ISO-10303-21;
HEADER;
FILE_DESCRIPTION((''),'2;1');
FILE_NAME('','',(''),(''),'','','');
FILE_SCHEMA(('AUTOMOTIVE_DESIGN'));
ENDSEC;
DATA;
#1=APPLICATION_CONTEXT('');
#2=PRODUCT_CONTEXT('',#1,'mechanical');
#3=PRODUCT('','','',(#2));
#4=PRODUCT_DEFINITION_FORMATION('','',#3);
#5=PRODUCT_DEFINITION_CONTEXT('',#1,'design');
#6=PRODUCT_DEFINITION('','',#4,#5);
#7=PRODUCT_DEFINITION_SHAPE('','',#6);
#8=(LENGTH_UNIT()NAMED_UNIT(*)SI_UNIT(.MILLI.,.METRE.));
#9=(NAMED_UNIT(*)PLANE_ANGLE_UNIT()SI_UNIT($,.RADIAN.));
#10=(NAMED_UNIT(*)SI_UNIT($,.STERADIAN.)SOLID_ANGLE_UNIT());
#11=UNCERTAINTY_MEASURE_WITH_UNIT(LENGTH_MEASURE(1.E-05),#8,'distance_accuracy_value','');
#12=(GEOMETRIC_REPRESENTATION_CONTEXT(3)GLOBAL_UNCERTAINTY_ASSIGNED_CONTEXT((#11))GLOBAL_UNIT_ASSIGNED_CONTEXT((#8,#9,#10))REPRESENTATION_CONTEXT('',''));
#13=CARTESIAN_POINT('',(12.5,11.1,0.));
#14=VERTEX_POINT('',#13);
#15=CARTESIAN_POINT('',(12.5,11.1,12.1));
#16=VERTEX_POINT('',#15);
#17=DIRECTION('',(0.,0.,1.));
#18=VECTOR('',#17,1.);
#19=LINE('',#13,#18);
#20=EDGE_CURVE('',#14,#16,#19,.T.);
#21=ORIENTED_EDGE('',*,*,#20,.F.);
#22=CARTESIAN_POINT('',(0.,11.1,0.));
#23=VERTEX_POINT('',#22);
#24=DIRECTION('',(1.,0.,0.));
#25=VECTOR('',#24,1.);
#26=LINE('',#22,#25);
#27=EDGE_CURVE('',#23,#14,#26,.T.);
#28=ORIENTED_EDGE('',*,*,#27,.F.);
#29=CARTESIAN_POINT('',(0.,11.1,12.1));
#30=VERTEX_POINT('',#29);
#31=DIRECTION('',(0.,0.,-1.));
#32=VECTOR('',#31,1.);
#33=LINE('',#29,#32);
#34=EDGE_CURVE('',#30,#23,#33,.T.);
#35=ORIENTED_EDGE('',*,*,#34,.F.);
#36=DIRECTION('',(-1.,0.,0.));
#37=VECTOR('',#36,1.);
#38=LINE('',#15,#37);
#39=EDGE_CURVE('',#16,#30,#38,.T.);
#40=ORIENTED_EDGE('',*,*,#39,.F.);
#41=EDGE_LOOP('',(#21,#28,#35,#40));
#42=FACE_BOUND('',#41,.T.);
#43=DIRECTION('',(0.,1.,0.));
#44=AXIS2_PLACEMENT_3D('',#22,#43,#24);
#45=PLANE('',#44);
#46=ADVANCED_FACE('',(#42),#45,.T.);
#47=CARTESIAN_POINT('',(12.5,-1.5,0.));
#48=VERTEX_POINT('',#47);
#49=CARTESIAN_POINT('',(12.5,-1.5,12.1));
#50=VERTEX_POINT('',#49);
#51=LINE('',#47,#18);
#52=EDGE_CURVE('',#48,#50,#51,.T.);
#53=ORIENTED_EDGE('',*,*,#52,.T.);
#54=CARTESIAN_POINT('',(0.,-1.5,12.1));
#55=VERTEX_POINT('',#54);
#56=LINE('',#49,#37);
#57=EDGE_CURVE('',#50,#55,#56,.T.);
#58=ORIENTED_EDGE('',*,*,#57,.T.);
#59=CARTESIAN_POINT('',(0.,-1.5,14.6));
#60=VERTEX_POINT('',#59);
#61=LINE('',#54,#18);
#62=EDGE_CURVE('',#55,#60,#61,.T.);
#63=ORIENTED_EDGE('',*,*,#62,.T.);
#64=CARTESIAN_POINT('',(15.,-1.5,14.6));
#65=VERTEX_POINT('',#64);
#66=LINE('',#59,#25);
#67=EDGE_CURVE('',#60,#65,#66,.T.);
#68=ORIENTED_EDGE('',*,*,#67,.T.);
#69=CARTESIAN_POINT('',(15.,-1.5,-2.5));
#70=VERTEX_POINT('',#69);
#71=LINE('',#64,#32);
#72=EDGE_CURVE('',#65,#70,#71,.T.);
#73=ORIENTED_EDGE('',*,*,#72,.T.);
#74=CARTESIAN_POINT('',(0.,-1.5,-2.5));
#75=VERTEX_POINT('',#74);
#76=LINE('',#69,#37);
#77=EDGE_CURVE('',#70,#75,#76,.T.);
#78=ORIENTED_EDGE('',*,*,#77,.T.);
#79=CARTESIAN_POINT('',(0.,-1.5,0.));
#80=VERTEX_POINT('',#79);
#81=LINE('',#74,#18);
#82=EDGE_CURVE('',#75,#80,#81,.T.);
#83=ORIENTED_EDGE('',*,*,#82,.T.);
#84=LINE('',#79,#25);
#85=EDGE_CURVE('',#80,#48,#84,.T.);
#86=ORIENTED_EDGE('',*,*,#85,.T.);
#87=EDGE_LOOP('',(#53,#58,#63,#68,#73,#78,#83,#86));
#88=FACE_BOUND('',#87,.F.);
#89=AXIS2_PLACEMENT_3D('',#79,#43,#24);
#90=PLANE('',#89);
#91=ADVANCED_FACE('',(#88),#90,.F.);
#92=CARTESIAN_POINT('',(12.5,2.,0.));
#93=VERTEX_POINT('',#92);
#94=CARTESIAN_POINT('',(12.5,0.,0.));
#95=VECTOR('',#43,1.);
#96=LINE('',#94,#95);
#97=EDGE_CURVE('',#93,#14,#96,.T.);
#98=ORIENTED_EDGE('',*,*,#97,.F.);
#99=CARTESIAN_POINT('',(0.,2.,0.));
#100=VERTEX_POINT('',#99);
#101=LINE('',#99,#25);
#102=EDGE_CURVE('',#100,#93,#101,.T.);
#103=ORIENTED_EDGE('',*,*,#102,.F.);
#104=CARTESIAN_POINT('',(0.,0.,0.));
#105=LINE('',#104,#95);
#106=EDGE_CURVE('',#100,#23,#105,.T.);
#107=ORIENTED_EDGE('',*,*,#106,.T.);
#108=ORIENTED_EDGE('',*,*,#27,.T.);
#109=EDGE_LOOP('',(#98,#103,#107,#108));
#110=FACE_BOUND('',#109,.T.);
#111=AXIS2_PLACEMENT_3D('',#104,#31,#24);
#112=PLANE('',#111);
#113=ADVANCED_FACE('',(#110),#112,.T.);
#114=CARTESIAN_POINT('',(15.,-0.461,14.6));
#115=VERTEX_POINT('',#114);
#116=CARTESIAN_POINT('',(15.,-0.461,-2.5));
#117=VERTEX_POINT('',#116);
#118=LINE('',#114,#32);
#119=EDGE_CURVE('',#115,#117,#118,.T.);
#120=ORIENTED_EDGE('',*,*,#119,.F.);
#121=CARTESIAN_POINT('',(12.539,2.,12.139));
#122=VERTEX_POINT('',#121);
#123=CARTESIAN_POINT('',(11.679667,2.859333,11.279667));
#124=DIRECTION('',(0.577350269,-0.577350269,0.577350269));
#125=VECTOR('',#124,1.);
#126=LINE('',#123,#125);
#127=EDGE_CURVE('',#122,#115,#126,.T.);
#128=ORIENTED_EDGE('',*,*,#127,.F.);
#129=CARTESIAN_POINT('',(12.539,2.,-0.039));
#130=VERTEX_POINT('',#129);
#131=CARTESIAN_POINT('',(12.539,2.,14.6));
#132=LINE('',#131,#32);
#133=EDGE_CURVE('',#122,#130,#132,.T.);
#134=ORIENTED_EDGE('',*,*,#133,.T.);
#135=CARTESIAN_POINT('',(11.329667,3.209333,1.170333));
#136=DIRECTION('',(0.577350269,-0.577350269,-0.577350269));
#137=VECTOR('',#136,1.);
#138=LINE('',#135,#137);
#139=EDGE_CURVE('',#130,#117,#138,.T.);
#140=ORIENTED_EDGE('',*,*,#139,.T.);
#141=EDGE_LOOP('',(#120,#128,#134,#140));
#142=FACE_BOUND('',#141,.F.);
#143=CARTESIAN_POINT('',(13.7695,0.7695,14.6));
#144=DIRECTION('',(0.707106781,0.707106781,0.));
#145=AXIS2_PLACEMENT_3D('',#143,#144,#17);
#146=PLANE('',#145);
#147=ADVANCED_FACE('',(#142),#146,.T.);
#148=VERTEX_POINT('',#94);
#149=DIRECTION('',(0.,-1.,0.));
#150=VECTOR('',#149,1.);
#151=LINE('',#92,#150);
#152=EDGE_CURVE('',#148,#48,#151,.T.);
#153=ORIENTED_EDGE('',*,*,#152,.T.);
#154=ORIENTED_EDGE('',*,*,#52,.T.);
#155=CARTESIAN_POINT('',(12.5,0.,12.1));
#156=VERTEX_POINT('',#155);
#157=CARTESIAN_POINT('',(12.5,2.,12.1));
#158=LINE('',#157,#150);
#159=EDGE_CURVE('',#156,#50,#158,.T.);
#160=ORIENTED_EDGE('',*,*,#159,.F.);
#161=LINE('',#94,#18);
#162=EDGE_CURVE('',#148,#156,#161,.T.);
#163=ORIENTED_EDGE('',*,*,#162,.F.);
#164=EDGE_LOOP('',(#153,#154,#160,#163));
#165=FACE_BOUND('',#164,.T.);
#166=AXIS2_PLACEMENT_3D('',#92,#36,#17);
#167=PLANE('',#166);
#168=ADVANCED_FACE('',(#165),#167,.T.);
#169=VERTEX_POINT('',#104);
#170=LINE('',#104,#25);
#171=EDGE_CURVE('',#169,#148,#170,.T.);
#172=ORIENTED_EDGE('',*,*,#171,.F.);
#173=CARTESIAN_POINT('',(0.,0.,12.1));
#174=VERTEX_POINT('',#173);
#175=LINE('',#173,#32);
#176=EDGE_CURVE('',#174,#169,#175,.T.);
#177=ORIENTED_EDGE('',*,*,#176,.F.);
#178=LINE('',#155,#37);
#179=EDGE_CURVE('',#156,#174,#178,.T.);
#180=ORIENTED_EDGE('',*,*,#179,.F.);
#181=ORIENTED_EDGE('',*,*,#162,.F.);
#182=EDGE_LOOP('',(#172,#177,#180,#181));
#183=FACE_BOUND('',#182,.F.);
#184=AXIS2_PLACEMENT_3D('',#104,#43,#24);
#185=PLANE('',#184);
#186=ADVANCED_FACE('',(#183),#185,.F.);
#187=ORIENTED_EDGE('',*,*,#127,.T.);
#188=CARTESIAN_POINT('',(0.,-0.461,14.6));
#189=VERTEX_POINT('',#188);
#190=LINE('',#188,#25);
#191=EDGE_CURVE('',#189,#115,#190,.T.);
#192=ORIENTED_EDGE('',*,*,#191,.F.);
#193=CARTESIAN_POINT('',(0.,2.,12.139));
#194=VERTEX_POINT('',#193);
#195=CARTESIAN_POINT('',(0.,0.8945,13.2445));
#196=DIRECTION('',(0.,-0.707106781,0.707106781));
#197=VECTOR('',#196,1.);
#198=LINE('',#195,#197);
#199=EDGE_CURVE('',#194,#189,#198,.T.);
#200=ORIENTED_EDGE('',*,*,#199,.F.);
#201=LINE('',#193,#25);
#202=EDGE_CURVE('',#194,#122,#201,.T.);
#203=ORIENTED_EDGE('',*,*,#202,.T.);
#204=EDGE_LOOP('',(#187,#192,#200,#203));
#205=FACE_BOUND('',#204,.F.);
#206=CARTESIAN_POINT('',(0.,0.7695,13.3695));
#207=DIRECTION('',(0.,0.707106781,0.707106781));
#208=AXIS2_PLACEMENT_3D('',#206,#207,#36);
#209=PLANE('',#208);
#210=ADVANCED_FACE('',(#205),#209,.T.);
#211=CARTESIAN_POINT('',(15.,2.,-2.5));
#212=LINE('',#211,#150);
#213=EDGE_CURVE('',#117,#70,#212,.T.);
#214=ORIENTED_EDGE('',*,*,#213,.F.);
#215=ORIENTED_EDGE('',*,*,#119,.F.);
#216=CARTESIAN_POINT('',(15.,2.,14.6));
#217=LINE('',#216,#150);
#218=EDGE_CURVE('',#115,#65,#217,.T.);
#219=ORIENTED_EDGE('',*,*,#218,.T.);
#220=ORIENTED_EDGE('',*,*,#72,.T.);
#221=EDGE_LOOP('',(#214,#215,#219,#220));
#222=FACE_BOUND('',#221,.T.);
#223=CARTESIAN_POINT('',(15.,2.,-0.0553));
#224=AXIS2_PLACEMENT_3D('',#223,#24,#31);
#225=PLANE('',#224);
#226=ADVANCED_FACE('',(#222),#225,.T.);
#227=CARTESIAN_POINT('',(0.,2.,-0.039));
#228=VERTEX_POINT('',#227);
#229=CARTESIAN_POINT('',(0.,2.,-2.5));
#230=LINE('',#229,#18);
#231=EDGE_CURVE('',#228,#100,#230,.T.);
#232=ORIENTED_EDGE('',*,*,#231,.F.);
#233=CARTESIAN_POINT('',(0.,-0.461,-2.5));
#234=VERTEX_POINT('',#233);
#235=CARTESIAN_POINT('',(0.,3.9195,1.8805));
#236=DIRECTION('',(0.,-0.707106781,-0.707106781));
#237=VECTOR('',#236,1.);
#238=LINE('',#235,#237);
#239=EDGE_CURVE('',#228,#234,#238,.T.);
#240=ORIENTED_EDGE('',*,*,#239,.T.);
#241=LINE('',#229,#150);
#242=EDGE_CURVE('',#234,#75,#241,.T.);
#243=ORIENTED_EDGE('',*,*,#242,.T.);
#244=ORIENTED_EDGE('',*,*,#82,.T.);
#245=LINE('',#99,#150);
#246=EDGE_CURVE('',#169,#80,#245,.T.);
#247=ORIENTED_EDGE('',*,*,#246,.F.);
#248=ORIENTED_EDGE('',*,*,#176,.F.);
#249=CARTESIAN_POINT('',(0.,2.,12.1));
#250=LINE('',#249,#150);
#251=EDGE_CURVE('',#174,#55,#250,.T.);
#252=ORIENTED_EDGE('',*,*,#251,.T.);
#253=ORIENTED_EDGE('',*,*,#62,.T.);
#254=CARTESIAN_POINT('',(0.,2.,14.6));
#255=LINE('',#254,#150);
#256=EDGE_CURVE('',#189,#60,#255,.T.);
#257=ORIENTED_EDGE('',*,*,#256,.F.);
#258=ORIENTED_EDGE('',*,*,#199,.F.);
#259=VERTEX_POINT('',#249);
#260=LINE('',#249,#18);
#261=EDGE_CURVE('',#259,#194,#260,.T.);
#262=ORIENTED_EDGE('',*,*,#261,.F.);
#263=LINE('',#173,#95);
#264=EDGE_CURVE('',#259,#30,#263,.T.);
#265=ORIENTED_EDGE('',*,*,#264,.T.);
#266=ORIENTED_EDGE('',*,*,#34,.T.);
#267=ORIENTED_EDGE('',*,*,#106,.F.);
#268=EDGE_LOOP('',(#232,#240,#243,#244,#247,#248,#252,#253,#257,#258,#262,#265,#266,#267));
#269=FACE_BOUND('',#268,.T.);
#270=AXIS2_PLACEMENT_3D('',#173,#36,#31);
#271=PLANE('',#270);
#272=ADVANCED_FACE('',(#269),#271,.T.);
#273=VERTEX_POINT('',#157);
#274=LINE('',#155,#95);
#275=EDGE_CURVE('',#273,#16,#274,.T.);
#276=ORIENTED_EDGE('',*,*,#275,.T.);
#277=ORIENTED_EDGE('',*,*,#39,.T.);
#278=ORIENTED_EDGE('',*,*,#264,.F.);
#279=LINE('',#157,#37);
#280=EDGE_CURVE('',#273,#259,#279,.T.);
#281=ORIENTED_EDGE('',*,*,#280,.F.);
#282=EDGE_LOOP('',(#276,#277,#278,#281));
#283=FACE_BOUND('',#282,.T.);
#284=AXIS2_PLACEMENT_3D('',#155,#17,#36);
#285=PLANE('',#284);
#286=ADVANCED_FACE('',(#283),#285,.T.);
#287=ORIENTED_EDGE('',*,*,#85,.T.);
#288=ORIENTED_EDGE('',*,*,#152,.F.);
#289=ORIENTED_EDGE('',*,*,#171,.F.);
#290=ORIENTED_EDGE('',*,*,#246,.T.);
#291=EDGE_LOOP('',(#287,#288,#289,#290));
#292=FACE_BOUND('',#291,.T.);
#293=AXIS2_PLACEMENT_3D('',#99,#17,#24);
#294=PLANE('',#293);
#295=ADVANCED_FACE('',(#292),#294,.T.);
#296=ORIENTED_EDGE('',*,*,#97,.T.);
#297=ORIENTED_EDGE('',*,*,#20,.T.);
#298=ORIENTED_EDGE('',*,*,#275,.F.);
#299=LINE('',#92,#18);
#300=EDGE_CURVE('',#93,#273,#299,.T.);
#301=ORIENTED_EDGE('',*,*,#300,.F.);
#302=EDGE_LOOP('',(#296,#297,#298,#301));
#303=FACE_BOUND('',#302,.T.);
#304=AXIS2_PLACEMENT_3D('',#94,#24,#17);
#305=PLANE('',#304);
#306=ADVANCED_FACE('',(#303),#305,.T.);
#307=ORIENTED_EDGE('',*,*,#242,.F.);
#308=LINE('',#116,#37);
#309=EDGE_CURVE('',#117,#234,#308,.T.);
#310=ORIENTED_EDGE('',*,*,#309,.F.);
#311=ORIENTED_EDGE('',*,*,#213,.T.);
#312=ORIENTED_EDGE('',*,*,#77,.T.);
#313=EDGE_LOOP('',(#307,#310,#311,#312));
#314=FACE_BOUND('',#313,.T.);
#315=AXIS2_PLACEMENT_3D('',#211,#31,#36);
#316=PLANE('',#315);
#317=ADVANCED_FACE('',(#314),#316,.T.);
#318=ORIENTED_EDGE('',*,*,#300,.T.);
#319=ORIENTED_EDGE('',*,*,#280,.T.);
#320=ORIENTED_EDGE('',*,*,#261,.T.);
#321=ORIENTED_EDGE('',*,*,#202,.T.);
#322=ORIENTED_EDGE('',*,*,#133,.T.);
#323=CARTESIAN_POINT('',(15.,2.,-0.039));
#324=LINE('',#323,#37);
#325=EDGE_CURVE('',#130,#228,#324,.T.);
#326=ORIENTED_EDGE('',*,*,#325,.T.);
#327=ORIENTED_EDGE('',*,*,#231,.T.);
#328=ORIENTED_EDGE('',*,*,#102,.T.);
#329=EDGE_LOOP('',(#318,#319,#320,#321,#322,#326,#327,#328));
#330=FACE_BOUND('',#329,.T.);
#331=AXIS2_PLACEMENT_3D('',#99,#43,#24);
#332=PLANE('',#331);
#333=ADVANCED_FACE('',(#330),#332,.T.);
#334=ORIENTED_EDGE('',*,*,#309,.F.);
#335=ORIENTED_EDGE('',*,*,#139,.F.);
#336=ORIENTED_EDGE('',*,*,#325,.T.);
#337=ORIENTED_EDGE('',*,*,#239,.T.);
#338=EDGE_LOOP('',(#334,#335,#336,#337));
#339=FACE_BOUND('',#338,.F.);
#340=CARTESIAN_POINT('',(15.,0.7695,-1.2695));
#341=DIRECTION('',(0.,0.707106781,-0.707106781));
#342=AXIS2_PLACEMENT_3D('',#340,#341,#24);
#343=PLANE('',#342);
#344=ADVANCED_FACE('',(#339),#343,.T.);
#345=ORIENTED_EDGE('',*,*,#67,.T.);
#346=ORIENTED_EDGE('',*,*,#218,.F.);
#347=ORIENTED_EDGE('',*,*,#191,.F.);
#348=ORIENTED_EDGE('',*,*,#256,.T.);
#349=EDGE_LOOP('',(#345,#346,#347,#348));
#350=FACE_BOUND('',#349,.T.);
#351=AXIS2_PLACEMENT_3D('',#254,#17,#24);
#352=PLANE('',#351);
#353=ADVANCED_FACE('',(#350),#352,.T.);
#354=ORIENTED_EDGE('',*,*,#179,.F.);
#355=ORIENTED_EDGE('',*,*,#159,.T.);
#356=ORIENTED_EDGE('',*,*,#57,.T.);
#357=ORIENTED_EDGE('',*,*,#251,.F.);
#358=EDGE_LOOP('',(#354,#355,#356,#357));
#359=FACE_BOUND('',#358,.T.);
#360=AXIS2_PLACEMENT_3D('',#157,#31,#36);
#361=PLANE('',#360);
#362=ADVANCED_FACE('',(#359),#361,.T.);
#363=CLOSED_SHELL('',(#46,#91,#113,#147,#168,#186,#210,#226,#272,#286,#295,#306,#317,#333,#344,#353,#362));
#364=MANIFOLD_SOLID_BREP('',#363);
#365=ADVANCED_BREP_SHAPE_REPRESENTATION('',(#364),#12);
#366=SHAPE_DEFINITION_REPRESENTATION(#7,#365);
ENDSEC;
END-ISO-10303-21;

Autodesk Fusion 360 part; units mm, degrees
sketch "Sketch1" plane through (0, 0, 0) normal (0, 1, 0) x (1, 0, 0)
  line L0 (0, 0) -> (12.5, 0)
  line L1 (12.5, 0) -> (12.5, -12.1)
  line L2 (12.5, -12.1) -> (0, -12.1)
  line L3 (0, -12.1) -> (0, 0)
  line L4 (0, -12.1) -> (0, -14.6)
  line L5 (0, -14.6) -> (15, -14.6)
  line L6 (15, -14.6) -> (15, 0.0553)
  line L7 (15, 0.0553) -> (15, 2.5)
  line L8 (15, 2.5) -> (0, 2.5)
  line L9 (0, 2.5) -> (0, 0)
  dimension "d1" = 12.1
  dimension "d2" = 12.5
  dimension "d3" = 2.5
  dimension "d4" = 2.5
  dimension "d5" = 2.5
extrude "Extrude1" add sketch "Sketch1" along normal blind 11.1 contours L0 L1 L2 L3
extrude "Extrude3" add sketch "Sketch1" along normal blind -1.5 and the other way blind -2 contours L0 L1 L2 L4 L5 L6 L7 L8 L9
chamfer "Chamfer2" distance 2.461 angle 45 3 edges at (7.5, 2, 14.6) (15, 2, 6.05) (7.5, 2, -2.5)
